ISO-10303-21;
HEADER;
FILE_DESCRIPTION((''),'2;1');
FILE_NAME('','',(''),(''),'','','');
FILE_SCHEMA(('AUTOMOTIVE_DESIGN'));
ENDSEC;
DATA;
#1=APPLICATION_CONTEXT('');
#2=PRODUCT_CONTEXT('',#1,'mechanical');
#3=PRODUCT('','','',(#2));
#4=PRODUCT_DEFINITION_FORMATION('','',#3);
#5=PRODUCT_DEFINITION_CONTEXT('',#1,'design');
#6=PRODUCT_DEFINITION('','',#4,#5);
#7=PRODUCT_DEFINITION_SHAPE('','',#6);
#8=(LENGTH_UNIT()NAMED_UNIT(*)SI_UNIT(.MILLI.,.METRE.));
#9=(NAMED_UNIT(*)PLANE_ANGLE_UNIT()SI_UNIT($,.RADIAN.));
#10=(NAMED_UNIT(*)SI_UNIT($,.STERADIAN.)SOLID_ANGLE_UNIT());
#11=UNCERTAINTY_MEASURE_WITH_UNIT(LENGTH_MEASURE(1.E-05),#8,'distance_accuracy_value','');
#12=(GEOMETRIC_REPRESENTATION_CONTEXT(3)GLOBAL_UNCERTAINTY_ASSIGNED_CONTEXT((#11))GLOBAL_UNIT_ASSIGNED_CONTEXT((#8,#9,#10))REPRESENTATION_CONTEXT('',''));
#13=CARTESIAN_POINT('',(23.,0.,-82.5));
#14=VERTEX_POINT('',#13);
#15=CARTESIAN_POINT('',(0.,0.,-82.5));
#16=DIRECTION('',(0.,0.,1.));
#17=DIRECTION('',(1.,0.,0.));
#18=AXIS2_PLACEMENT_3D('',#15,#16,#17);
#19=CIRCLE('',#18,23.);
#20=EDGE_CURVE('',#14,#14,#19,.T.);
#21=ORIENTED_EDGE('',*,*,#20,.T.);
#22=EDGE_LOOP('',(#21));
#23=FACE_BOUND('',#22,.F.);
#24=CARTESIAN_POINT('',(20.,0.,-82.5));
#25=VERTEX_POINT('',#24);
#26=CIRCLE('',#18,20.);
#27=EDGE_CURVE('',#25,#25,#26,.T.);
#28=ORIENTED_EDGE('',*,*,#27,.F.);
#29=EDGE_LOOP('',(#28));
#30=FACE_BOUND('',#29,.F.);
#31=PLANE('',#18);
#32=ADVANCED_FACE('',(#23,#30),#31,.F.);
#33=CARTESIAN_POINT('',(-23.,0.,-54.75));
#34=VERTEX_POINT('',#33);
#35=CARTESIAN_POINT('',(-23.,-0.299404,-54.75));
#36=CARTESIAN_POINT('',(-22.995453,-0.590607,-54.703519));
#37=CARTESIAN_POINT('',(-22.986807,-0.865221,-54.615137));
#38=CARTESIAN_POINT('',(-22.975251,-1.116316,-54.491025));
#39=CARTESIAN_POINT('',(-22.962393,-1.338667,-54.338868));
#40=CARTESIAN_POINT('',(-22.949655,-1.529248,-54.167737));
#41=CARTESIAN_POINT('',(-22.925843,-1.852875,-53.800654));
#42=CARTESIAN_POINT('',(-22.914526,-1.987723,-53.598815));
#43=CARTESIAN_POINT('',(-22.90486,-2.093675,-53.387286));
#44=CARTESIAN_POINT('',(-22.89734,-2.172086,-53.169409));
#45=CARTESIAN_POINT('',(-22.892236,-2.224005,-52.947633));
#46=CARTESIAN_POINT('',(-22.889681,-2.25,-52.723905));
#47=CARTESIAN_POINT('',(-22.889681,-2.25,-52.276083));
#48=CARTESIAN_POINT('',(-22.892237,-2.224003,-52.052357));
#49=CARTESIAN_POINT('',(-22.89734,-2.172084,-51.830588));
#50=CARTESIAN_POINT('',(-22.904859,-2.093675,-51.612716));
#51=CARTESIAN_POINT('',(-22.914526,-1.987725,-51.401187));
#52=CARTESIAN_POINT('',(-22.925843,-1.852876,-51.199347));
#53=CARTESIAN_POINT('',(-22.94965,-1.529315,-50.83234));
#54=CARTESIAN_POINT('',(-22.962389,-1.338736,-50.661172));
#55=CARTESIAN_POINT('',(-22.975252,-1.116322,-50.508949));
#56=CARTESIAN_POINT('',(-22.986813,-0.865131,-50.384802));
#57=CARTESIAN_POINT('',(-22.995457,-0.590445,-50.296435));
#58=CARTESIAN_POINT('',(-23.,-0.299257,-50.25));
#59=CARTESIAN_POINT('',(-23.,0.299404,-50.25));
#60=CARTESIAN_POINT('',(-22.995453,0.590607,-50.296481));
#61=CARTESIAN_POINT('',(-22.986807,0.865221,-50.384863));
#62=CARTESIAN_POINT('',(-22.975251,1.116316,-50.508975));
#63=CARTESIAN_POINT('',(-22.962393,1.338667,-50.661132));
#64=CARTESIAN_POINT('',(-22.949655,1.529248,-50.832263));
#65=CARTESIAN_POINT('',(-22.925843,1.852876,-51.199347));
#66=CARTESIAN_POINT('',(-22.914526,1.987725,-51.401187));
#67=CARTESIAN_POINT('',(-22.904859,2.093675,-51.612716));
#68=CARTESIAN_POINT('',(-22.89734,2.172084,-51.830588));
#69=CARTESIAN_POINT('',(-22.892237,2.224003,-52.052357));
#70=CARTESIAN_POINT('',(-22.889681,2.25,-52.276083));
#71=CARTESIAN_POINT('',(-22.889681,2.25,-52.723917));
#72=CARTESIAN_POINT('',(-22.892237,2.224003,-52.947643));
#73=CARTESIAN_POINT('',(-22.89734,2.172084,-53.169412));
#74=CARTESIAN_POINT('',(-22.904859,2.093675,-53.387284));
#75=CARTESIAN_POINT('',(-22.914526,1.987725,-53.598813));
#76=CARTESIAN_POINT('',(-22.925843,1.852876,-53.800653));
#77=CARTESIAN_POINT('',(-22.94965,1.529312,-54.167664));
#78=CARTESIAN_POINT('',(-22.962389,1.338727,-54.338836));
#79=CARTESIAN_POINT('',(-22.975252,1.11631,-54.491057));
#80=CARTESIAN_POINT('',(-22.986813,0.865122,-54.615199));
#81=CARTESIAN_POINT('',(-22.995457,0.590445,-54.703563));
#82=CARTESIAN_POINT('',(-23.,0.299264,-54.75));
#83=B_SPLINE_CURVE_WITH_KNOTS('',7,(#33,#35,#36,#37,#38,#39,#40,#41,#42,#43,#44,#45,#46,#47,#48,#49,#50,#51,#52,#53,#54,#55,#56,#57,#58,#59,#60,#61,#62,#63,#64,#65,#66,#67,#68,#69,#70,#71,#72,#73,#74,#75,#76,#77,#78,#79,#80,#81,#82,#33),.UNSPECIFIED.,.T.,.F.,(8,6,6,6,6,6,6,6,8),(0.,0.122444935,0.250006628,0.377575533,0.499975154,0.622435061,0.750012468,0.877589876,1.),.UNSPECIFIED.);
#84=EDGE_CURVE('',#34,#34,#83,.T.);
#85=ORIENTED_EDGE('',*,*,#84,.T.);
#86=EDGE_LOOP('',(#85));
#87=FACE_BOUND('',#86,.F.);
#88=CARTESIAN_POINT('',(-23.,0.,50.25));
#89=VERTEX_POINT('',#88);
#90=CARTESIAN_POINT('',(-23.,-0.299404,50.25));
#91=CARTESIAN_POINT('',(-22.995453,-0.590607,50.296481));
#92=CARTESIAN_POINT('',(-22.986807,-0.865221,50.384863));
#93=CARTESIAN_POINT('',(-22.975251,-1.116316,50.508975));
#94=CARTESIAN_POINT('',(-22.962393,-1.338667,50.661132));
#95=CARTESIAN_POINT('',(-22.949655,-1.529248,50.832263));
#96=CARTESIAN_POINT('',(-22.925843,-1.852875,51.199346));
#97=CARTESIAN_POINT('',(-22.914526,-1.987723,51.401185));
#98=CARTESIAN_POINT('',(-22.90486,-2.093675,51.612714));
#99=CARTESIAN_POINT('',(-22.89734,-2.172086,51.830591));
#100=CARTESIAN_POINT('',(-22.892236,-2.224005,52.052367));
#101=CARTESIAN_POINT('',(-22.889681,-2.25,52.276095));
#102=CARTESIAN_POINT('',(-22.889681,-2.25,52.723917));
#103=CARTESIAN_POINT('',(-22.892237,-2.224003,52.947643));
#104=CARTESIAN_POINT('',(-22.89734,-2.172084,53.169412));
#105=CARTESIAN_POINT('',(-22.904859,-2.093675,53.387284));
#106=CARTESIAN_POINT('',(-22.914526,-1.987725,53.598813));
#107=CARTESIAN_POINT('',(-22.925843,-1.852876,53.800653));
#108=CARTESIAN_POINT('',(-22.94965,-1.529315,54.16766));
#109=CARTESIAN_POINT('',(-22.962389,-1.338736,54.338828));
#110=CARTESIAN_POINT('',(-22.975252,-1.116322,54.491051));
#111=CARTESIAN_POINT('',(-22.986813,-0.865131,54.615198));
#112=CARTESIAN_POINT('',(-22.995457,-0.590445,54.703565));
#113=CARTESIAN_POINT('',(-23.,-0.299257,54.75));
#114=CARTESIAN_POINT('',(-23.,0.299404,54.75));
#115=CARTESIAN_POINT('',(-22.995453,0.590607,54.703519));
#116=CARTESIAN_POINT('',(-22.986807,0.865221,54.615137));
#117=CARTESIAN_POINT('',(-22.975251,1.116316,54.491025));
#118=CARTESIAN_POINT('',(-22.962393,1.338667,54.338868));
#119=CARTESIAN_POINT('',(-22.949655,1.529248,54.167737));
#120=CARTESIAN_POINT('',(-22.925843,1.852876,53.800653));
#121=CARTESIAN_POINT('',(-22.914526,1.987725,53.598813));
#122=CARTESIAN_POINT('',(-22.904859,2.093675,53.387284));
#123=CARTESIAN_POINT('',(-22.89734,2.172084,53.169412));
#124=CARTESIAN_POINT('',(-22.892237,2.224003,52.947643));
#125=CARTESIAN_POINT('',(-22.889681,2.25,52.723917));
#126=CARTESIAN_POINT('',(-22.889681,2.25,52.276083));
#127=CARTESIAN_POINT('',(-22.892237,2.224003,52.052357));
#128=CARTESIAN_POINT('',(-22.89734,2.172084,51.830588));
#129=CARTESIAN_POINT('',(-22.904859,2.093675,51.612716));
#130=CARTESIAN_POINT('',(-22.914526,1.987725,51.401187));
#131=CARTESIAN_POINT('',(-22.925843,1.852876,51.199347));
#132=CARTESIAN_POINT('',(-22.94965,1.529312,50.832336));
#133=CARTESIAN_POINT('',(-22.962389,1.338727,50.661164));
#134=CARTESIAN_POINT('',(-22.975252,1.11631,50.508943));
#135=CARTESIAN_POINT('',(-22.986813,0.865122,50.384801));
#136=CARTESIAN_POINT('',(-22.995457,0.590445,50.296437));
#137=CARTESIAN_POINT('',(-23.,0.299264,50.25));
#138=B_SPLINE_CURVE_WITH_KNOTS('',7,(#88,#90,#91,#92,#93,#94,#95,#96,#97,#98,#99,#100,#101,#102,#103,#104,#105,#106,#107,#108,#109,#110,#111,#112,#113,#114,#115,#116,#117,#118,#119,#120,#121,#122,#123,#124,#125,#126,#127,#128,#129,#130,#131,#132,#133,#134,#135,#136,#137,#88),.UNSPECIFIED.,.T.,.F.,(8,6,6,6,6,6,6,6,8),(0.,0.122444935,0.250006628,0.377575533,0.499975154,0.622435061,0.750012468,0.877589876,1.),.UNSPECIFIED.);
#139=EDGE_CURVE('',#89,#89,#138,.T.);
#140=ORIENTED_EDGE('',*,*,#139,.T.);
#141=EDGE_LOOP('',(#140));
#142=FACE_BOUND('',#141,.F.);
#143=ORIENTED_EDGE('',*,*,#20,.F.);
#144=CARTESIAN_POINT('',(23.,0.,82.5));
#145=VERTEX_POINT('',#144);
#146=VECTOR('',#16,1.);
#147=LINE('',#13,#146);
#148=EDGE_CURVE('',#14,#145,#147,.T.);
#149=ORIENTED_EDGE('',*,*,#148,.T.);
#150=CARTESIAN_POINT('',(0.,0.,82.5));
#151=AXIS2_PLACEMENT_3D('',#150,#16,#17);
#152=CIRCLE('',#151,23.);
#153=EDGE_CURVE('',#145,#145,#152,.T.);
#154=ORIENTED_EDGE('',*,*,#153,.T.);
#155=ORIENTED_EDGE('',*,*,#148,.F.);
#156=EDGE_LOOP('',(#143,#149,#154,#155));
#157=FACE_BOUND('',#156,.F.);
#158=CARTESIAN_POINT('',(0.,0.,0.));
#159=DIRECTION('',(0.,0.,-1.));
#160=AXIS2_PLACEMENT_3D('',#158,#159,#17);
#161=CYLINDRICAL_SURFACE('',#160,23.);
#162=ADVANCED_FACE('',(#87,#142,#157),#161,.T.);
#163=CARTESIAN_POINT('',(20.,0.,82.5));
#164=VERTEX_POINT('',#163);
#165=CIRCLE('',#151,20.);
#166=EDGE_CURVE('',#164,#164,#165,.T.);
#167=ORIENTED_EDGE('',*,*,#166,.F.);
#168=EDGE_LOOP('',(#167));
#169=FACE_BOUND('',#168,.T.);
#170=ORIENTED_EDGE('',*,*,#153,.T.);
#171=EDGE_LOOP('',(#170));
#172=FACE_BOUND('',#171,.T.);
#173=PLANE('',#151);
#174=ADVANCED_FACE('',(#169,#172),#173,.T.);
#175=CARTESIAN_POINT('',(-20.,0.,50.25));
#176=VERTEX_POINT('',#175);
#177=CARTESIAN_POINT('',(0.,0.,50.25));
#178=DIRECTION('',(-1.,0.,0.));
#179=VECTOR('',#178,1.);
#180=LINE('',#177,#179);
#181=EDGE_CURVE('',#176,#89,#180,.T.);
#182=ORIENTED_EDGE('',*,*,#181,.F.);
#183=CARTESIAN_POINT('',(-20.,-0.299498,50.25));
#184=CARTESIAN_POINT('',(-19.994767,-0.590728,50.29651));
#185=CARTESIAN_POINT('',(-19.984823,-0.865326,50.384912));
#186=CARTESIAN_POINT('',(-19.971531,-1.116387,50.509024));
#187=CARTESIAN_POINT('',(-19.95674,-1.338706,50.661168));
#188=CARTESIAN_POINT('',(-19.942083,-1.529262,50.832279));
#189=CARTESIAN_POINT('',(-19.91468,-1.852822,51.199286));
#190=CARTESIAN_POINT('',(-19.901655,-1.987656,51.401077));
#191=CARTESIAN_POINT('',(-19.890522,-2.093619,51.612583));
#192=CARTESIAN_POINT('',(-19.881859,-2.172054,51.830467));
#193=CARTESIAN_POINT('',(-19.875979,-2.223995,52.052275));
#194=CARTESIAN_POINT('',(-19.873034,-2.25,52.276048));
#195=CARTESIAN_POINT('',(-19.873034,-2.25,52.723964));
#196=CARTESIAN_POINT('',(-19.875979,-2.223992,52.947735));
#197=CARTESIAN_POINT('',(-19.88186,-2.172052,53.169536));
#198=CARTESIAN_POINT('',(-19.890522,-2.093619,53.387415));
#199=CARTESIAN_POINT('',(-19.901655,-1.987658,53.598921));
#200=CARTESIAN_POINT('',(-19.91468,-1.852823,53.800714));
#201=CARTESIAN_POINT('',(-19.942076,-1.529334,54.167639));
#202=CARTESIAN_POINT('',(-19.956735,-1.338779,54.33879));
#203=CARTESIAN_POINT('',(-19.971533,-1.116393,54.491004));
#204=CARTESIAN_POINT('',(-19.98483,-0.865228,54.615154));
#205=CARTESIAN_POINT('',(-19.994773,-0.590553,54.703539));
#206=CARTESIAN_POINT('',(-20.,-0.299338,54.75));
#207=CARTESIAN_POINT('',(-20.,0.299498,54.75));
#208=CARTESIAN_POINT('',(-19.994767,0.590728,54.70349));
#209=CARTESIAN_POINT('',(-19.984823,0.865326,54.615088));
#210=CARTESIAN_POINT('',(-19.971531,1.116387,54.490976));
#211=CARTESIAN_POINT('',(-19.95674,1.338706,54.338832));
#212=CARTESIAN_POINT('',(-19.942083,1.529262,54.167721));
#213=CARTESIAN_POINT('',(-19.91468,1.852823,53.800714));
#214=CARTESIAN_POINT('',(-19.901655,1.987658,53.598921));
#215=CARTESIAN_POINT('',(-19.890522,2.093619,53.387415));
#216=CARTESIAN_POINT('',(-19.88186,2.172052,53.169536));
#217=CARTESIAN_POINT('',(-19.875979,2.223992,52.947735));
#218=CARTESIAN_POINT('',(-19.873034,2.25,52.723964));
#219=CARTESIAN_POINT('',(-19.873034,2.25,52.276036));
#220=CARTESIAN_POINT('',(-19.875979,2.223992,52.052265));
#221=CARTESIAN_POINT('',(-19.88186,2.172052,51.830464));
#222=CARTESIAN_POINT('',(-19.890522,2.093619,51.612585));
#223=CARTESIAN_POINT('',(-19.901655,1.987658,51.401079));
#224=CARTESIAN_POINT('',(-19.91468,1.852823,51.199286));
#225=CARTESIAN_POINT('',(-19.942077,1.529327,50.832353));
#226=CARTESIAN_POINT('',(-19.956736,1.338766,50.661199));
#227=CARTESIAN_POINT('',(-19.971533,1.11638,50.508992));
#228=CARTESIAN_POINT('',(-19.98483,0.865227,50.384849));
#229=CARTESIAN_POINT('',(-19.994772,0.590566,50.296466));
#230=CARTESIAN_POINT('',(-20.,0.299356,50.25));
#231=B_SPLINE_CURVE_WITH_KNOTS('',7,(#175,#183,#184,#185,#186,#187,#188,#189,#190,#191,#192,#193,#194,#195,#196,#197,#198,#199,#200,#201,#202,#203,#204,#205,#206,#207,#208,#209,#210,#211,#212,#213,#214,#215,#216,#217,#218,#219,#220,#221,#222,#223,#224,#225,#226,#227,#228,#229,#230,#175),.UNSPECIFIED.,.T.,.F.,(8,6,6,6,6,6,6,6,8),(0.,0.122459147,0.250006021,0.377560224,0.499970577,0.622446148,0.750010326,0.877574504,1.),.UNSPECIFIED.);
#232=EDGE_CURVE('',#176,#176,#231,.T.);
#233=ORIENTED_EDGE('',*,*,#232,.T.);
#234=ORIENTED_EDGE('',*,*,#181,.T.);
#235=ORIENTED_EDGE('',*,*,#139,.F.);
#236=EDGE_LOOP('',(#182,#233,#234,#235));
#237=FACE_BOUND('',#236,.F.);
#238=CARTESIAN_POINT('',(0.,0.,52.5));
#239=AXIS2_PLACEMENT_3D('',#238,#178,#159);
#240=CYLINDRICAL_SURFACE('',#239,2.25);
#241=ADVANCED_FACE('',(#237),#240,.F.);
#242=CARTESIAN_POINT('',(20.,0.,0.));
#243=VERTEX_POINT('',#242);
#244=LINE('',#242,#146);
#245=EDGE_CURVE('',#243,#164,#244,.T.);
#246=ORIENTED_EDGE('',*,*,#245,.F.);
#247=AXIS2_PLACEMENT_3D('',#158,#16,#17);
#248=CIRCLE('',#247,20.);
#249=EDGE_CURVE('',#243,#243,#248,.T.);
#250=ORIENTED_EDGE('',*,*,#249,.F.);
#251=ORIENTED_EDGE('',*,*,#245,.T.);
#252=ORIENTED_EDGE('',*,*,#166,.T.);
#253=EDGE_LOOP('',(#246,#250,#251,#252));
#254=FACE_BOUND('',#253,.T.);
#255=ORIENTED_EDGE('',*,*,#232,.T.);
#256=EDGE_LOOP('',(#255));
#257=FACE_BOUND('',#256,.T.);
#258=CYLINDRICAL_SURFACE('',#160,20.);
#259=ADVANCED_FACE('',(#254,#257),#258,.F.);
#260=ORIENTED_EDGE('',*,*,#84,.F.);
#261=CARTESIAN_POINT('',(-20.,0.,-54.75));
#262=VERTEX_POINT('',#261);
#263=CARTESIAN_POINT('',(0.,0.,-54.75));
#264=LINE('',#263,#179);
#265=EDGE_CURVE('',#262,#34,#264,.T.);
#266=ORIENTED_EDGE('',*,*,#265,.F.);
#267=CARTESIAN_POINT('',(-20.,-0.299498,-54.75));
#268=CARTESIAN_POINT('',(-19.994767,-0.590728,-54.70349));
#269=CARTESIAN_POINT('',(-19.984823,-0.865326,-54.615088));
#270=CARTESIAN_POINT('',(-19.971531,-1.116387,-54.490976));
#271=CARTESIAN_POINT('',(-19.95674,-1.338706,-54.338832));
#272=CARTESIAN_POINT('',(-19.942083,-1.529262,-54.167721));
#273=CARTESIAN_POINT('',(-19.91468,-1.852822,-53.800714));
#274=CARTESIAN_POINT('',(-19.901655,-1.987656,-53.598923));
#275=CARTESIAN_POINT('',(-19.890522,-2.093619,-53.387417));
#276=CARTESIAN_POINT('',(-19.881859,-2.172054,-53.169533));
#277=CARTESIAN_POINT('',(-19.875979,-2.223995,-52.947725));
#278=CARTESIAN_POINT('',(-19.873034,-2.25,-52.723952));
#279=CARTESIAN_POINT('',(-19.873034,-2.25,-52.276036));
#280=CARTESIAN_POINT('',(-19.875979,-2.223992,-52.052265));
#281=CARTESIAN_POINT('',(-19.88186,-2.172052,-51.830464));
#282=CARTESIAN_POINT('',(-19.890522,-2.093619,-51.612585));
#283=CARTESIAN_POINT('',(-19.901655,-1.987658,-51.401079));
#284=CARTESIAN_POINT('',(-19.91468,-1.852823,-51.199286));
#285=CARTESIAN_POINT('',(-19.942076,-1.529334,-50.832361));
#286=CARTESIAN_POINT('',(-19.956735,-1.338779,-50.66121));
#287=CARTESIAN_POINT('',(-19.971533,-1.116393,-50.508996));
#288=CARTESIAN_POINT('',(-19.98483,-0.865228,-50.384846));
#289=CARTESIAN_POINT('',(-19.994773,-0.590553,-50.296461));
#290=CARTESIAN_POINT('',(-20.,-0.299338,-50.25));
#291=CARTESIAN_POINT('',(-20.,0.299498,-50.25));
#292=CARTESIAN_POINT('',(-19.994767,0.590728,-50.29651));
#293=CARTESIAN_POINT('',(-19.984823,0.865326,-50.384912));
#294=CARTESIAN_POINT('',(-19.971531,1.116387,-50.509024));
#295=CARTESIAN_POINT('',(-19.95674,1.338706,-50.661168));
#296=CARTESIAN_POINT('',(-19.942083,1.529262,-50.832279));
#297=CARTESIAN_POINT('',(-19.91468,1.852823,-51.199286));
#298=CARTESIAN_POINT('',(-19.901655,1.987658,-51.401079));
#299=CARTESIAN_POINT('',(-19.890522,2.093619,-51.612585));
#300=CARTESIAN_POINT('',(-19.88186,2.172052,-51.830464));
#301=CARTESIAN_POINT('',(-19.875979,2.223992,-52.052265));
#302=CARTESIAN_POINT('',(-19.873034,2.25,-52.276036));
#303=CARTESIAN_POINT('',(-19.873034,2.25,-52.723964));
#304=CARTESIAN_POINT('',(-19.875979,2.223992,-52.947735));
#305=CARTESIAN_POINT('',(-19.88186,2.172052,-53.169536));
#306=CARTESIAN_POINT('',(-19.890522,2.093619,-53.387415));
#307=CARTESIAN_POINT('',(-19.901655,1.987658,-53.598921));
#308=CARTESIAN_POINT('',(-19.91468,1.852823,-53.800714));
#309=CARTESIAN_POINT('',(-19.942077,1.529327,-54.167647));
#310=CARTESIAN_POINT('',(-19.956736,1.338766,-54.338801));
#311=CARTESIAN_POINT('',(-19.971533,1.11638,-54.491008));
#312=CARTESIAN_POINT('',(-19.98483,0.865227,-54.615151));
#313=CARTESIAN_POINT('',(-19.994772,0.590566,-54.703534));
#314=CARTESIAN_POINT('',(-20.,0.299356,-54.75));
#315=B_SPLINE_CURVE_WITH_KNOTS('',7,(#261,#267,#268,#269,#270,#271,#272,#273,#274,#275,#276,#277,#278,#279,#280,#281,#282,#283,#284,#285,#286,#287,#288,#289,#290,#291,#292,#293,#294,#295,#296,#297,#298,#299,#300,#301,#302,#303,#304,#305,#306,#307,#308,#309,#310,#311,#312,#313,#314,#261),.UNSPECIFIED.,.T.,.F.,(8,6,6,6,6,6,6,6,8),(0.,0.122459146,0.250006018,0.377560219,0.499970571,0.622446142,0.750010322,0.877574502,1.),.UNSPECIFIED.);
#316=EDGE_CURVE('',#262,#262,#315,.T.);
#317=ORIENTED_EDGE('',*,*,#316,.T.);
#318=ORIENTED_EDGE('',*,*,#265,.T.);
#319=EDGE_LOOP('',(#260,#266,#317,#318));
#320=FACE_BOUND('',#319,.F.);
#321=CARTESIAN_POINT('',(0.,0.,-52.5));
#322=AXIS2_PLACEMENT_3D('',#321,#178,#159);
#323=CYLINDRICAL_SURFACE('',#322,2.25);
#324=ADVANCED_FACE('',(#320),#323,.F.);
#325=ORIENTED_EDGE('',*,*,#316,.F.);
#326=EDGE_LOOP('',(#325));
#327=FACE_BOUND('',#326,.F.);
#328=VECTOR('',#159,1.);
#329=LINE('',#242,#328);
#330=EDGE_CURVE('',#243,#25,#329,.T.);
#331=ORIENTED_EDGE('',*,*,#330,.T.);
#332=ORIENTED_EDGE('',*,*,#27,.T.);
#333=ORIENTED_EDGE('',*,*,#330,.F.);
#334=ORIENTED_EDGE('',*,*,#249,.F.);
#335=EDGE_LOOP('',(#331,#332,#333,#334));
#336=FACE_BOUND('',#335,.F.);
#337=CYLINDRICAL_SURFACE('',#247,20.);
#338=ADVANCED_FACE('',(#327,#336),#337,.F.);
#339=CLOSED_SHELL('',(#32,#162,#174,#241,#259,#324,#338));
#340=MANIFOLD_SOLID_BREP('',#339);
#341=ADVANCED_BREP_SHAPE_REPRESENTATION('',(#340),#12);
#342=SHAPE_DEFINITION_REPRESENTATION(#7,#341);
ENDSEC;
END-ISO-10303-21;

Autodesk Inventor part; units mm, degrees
ref_plane "YZ Plane" through (0, 0, 0) normal (1, 0, 0) x (0, 1, 0)
ref_plane "XZ Plane" through (0, 0, 0) normal (0, 1, 0) x (-1, 0, 0)
ref_plane "XY Plane" through (0, 0, 0) normal (0, 0, 1) x (1, 0, 0)
sketch "Sketch1" plane through (0, 0, 0) normal (0, 0, 1) x (1, 0, 0)
  circle A0 centre (0, 0) radius 20
  circle A1 centre (0, 0) radius 23
  dimension "d0" = 40
  dimension "d1" = 46
extrude "Extrusion1" add sketch "Sketch1" along normal mid plane 165
sketch "Sketch2" plane through (0, 0, 0) normal (1, 0, 0) x (0, 1, 0)
  line L0 (0, 35) -> (0, -35) projected
  line L1 (-32.2, 0) -> (32.2, 0) projected
  line L2 (23, 82.5) -> (-23, 82.5) projected
  line L3 (-23, -82.5) -> (23, -82.5) projected
  line L4 (20, -82.5) -> (-20, -82.5) projected
  point P0 (0, 0)
  point P1 (0, 52.5)
  point P2 (0, -52.5)
  point P3 (0, -82.5)
  dimension "d21" = 105
  dimension "d22" = 30
  dimension "d24" = 30
hole "Hole1" at (0, 0, 52.5) at (0, 0, -52.5) direction (-1, 0, 0) diameter 4.5 end through all clearance for "Flat Head Machine Screw" size "M4" standard "Ansi Metric M Profile"
sketch "Sketch3" plane through (0, 0, 0) normal (1, 0, 0) x (0, 1, 0)
  line L0 (23, -82.5) -> (7, -82.5)
  line L1 (7, -82.5) -> (7, 82.5)
  line L2 (7, 82.5) -> (23, 82.5)
  line L3 (23, 82.5) -> (23, -82.5)
  line L4 (23, 82.5) -> (-23, 82.5) projected
  line L5 (-23, -82.5) -> (23, -82.5) projected
  line L6 (0, 35) -> (0, -35) projected
  point P0 (0, 0)
  dimension "d13" = 0
  dimension "d14" = 0
  dimension "d15" = 7
extrude "Extrusion2" [suppressed]
properties part number "Top_Separator Pipe Long" material "PVC-Piping"
